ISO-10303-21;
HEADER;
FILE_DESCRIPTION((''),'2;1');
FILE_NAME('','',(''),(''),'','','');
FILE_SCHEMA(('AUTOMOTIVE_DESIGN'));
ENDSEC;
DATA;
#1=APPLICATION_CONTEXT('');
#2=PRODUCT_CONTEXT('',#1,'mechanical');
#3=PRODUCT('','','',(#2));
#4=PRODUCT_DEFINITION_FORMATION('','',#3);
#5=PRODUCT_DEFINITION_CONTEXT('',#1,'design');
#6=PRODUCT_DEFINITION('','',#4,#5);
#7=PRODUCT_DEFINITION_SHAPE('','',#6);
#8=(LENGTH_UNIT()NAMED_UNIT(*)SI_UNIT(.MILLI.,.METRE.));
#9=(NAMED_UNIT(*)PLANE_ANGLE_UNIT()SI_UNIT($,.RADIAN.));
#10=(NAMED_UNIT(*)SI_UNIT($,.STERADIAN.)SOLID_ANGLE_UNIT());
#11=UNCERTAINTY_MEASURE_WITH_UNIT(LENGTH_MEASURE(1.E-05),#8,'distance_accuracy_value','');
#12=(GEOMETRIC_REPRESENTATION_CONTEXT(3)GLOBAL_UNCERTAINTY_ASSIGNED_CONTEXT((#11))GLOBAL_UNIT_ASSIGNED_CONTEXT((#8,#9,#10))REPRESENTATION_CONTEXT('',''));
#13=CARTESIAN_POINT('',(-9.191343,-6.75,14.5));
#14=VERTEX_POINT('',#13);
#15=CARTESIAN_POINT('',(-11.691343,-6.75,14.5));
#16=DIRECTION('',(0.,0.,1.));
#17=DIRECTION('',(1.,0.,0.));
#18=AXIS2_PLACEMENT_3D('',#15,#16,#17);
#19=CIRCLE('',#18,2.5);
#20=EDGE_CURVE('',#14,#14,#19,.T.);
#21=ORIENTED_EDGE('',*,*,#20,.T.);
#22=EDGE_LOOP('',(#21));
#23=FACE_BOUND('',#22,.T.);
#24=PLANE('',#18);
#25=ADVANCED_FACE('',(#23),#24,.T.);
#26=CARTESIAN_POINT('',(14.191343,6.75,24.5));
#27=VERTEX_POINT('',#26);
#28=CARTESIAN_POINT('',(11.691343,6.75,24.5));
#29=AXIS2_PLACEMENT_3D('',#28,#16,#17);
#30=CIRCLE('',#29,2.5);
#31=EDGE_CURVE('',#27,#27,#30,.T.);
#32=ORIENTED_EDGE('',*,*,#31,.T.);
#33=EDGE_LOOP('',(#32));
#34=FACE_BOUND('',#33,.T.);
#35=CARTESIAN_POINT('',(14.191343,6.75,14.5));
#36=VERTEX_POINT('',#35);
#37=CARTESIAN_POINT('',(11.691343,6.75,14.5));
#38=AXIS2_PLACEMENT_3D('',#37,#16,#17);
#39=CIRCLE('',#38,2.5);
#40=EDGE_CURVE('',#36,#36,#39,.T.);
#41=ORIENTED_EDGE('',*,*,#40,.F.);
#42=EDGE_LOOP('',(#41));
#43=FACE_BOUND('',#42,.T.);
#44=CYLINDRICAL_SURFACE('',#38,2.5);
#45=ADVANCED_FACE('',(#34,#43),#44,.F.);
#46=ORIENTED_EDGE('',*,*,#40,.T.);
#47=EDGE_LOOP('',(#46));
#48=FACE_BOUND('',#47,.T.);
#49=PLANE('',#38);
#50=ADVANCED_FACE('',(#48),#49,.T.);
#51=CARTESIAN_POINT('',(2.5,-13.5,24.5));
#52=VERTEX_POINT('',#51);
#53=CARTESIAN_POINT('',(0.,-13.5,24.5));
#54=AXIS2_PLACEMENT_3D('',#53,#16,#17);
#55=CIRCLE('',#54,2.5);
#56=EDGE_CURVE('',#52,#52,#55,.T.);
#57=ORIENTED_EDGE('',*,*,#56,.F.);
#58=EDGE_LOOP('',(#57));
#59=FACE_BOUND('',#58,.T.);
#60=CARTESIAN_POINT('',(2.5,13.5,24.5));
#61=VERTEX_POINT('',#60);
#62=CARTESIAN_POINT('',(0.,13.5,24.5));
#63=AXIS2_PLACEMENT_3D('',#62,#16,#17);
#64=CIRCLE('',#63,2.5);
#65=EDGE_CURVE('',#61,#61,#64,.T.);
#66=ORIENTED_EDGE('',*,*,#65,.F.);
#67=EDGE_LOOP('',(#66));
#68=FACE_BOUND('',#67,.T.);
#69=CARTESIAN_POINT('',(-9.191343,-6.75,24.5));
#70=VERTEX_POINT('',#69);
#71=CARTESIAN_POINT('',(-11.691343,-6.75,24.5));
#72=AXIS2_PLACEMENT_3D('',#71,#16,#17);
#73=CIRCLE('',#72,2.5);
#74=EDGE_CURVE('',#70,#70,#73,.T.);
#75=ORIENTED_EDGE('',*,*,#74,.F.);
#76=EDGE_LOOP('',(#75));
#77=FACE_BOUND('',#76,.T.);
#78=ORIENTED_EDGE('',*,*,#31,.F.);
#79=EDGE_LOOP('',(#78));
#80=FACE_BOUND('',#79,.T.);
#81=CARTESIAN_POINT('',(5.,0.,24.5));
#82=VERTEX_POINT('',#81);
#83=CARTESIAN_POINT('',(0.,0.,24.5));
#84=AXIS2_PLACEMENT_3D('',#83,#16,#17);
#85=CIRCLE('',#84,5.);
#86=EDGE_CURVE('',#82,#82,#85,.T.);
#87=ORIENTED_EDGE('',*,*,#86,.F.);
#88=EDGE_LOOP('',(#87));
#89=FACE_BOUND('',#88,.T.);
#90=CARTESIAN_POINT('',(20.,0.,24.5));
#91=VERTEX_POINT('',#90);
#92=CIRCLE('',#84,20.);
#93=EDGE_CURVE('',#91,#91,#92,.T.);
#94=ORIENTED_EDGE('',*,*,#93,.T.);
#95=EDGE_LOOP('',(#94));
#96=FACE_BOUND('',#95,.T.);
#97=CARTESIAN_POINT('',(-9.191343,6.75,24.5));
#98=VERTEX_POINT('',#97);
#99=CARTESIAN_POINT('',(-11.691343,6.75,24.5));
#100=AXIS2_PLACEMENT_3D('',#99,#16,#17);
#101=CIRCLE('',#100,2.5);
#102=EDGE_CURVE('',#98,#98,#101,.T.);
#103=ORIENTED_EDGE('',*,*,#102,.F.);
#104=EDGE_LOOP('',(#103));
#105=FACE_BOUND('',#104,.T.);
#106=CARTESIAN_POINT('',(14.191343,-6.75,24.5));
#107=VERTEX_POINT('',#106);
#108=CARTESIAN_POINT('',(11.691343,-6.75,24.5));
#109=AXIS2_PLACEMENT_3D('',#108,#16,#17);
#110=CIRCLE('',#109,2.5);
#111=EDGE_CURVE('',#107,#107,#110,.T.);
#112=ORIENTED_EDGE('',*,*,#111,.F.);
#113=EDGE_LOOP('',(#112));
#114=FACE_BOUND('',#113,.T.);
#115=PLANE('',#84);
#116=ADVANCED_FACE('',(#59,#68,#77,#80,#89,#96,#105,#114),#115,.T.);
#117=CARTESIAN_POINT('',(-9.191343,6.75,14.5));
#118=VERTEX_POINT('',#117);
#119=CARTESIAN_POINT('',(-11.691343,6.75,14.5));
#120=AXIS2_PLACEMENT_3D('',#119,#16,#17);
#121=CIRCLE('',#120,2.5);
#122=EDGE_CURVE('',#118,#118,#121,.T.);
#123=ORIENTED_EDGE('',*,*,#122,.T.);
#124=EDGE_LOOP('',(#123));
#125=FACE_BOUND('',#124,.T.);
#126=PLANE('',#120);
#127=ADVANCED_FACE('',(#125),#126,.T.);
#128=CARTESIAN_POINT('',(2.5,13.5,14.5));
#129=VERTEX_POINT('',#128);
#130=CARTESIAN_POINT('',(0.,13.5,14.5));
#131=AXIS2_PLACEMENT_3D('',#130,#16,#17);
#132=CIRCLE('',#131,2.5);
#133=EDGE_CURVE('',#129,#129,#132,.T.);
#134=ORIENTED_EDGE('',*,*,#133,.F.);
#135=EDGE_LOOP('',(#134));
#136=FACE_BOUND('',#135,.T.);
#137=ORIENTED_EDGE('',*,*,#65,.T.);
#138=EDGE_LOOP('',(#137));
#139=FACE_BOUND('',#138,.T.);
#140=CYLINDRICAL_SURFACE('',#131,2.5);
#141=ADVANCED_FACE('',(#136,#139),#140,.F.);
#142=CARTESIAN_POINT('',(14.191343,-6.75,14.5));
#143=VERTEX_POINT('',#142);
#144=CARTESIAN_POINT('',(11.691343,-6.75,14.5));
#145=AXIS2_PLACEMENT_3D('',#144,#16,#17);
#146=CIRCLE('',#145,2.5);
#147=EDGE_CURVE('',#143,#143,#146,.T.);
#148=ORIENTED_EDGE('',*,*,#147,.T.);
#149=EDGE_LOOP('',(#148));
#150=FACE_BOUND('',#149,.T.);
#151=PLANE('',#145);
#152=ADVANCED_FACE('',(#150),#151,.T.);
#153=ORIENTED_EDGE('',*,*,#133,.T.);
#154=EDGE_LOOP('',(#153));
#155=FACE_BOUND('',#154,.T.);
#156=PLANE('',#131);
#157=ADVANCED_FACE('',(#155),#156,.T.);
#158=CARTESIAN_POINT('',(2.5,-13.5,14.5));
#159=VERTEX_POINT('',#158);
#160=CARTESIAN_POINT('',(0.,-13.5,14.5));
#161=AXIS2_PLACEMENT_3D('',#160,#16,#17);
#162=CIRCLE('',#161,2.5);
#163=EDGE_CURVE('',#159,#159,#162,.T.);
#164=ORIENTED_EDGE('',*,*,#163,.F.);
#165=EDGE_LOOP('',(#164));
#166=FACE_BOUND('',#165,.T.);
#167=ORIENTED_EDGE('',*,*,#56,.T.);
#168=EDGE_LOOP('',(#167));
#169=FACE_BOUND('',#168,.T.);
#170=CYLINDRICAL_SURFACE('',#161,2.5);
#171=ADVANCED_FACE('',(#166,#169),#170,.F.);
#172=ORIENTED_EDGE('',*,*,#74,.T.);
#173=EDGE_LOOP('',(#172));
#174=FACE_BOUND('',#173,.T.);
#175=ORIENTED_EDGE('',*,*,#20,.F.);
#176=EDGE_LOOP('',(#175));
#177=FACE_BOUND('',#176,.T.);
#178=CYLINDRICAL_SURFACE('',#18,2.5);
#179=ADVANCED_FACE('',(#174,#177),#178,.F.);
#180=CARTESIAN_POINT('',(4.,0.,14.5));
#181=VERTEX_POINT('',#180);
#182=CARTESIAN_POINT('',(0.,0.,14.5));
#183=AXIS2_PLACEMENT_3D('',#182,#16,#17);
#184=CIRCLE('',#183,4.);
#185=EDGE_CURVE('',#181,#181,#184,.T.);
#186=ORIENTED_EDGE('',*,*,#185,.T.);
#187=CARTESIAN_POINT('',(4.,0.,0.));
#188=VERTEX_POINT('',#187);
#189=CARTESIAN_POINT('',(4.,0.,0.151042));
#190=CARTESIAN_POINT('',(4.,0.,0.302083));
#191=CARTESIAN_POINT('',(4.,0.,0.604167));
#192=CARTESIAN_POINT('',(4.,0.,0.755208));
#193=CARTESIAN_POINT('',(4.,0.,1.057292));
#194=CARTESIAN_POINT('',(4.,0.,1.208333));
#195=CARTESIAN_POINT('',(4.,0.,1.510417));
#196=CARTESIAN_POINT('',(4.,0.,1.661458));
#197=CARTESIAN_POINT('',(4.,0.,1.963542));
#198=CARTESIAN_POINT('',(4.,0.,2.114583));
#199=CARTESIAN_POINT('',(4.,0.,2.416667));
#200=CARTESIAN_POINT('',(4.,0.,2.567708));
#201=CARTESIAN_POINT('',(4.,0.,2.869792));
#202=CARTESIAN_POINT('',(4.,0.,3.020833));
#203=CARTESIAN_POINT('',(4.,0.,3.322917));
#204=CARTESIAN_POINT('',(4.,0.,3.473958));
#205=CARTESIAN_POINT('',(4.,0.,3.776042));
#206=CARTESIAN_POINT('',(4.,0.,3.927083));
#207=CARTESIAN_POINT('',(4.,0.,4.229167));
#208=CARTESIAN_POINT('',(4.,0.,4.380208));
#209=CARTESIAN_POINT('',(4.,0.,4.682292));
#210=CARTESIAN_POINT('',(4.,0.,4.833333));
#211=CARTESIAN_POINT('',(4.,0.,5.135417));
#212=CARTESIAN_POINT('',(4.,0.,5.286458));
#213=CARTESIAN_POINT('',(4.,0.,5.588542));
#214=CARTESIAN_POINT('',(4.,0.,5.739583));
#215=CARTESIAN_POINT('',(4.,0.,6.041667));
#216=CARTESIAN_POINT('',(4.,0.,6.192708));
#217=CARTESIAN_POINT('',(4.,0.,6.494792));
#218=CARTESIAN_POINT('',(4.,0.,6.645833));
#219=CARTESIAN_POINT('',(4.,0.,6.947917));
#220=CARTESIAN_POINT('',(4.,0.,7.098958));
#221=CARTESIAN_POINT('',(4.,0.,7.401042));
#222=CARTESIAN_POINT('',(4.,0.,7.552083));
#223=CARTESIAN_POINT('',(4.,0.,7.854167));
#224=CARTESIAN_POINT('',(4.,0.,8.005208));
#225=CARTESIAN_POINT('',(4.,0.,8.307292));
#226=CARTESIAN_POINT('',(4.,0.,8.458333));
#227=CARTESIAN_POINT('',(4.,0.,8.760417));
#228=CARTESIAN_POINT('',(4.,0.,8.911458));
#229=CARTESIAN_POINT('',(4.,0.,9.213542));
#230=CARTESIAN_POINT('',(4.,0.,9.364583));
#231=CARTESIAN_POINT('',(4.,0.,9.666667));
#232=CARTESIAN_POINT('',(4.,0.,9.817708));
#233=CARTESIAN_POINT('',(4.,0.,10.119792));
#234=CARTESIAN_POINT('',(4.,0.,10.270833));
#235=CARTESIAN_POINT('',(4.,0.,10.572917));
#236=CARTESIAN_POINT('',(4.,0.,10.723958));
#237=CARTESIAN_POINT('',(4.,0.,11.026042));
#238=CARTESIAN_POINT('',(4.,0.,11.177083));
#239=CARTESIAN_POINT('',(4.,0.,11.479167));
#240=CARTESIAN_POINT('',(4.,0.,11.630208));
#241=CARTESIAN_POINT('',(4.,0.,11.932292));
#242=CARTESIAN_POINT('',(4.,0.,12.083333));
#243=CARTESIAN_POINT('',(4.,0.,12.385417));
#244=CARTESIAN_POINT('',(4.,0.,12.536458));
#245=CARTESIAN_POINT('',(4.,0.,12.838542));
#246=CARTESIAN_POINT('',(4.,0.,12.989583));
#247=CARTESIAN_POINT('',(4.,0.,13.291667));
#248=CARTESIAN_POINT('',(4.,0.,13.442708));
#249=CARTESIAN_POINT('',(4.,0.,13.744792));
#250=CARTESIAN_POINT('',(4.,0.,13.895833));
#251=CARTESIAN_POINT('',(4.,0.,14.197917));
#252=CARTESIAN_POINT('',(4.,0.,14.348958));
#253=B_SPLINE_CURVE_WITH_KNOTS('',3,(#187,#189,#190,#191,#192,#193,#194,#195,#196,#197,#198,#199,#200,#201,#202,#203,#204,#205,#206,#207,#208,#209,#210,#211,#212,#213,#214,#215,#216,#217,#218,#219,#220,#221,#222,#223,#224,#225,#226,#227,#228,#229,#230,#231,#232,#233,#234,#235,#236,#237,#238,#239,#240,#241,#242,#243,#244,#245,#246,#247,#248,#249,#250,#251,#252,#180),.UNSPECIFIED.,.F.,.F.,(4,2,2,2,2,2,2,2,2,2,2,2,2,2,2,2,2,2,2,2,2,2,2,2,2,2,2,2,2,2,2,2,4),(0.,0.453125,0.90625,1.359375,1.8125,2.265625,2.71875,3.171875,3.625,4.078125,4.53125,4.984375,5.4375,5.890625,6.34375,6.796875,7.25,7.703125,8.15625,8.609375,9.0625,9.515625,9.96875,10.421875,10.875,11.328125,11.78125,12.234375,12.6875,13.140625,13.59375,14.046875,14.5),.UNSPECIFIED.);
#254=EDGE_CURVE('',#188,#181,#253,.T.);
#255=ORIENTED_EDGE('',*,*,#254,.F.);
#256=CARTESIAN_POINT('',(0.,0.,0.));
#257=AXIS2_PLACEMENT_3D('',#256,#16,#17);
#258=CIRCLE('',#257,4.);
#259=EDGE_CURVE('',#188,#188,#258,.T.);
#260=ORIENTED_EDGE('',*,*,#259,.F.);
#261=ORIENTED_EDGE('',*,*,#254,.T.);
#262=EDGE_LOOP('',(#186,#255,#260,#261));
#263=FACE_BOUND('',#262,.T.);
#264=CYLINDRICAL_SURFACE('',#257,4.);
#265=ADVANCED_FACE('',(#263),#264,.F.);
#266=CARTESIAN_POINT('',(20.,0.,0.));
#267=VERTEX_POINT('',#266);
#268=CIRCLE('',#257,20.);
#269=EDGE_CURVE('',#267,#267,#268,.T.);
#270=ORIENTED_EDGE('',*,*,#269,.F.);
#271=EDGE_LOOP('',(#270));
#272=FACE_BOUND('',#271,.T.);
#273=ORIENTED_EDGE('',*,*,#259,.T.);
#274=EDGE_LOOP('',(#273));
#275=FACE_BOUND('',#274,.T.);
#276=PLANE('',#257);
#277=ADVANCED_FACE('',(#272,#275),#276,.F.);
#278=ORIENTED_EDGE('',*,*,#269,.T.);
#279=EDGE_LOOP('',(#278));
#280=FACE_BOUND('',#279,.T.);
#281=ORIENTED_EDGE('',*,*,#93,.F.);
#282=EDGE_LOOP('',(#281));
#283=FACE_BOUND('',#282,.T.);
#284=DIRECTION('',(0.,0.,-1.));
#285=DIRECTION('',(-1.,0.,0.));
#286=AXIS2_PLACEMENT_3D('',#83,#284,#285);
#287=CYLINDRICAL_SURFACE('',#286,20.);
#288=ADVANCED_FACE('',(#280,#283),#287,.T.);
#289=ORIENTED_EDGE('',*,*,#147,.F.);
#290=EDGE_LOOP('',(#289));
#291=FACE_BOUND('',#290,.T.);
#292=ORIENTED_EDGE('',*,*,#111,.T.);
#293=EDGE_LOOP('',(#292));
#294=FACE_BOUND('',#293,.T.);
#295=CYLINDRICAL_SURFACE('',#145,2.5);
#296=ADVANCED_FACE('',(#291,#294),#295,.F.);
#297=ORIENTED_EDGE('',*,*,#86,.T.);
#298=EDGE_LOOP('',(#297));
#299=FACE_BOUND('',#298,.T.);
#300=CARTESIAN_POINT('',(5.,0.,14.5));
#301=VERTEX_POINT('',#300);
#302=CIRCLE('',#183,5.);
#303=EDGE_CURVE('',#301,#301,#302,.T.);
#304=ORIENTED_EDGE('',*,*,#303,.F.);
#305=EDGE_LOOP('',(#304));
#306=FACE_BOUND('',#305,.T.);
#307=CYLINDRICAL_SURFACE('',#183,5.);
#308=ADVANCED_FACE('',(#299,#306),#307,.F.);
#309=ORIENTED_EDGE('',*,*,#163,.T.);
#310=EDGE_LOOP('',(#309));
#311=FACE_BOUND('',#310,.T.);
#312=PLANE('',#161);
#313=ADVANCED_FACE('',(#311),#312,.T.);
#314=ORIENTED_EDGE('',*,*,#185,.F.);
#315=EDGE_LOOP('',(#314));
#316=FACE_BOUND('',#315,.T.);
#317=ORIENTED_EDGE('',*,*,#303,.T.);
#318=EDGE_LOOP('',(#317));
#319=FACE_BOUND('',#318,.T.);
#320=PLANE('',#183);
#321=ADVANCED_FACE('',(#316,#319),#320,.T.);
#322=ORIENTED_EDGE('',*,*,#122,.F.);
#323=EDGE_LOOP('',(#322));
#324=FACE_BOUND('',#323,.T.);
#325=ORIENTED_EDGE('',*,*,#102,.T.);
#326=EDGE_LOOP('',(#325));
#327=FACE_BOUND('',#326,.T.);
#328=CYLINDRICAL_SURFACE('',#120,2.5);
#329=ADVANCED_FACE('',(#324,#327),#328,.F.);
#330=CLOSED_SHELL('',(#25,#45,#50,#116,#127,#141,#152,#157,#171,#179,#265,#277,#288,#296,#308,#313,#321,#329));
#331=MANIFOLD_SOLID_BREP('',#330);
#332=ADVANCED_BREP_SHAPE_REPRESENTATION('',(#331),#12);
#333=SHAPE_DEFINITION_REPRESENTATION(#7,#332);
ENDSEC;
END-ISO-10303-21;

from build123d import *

# Parameters (mm, degrees)
SKETCH_1_R          = 20
EXTRUDE_1_DEPTH     = 24.5
SKETCH_2_R          = 5
CUT_EXTRUDE_1_DEPTH = 10
SKETCH_3_R          = 4
CUT_EXTRUDE_2_DEPTH = 32.784430151
SKETCH_4_R          = 2.5
CUT_EXTRUDE_3_DEPTH = 10


with BuildPart() as part:
    # 스케치1 → 보스-돌출1 (new body)
    with BuildSketch(Plane.XY):
        Circle(SKETCH_1_R)
    extrude(amount=EXTRUDE_1_DEPTH)

    # 스케치2 → 컷-돌출1 (cut)
    with BuildSketch(Plane.XY.offset(24.5)):
        Circle(SKETCH_2_R)
    extrude(amount=-CUT_EXTRUDE_1_DEPTH, mode=Mode.SUBTRACT)

    # 스케치3 → 컷-돌출2 (cut, through all)
    with BuildSketch(Plane.XY.offset(14.5)):
        Circle(SKETCH_3_R)
    extrude(amount=-CUT_EXTRUDE_2_DEPTH, mode=Mode.SUBTRACT)

    # 스케치4 → 컷-돌출3 (cut)
    with BuildSketch(Plane.XY.offset(24.5)):
        with Locations((11.691342951, 6.75)):
            Circle(SKETCH_4_R)
        with Locations((0, 13.5)):
            Circle(SKETCH_4_R)
        with Locations((11.691342951, -6.75)):
            Circle(SKETCH_4_R)
        with Locations((0, -13.5)):
            Circle(SKETCH_4_R)
        with Locations((-11.691342951, -6.75)):
            Circle(SKETCH_4_R)
        with Locations((-11.691342951, 6.75)):
            Circle(SKETCH_4_R)
    extrude(amount=-CUT_EXTRUDE_3_DEPTH, mode=Mode.SUBTRACT)


solid = part.part
